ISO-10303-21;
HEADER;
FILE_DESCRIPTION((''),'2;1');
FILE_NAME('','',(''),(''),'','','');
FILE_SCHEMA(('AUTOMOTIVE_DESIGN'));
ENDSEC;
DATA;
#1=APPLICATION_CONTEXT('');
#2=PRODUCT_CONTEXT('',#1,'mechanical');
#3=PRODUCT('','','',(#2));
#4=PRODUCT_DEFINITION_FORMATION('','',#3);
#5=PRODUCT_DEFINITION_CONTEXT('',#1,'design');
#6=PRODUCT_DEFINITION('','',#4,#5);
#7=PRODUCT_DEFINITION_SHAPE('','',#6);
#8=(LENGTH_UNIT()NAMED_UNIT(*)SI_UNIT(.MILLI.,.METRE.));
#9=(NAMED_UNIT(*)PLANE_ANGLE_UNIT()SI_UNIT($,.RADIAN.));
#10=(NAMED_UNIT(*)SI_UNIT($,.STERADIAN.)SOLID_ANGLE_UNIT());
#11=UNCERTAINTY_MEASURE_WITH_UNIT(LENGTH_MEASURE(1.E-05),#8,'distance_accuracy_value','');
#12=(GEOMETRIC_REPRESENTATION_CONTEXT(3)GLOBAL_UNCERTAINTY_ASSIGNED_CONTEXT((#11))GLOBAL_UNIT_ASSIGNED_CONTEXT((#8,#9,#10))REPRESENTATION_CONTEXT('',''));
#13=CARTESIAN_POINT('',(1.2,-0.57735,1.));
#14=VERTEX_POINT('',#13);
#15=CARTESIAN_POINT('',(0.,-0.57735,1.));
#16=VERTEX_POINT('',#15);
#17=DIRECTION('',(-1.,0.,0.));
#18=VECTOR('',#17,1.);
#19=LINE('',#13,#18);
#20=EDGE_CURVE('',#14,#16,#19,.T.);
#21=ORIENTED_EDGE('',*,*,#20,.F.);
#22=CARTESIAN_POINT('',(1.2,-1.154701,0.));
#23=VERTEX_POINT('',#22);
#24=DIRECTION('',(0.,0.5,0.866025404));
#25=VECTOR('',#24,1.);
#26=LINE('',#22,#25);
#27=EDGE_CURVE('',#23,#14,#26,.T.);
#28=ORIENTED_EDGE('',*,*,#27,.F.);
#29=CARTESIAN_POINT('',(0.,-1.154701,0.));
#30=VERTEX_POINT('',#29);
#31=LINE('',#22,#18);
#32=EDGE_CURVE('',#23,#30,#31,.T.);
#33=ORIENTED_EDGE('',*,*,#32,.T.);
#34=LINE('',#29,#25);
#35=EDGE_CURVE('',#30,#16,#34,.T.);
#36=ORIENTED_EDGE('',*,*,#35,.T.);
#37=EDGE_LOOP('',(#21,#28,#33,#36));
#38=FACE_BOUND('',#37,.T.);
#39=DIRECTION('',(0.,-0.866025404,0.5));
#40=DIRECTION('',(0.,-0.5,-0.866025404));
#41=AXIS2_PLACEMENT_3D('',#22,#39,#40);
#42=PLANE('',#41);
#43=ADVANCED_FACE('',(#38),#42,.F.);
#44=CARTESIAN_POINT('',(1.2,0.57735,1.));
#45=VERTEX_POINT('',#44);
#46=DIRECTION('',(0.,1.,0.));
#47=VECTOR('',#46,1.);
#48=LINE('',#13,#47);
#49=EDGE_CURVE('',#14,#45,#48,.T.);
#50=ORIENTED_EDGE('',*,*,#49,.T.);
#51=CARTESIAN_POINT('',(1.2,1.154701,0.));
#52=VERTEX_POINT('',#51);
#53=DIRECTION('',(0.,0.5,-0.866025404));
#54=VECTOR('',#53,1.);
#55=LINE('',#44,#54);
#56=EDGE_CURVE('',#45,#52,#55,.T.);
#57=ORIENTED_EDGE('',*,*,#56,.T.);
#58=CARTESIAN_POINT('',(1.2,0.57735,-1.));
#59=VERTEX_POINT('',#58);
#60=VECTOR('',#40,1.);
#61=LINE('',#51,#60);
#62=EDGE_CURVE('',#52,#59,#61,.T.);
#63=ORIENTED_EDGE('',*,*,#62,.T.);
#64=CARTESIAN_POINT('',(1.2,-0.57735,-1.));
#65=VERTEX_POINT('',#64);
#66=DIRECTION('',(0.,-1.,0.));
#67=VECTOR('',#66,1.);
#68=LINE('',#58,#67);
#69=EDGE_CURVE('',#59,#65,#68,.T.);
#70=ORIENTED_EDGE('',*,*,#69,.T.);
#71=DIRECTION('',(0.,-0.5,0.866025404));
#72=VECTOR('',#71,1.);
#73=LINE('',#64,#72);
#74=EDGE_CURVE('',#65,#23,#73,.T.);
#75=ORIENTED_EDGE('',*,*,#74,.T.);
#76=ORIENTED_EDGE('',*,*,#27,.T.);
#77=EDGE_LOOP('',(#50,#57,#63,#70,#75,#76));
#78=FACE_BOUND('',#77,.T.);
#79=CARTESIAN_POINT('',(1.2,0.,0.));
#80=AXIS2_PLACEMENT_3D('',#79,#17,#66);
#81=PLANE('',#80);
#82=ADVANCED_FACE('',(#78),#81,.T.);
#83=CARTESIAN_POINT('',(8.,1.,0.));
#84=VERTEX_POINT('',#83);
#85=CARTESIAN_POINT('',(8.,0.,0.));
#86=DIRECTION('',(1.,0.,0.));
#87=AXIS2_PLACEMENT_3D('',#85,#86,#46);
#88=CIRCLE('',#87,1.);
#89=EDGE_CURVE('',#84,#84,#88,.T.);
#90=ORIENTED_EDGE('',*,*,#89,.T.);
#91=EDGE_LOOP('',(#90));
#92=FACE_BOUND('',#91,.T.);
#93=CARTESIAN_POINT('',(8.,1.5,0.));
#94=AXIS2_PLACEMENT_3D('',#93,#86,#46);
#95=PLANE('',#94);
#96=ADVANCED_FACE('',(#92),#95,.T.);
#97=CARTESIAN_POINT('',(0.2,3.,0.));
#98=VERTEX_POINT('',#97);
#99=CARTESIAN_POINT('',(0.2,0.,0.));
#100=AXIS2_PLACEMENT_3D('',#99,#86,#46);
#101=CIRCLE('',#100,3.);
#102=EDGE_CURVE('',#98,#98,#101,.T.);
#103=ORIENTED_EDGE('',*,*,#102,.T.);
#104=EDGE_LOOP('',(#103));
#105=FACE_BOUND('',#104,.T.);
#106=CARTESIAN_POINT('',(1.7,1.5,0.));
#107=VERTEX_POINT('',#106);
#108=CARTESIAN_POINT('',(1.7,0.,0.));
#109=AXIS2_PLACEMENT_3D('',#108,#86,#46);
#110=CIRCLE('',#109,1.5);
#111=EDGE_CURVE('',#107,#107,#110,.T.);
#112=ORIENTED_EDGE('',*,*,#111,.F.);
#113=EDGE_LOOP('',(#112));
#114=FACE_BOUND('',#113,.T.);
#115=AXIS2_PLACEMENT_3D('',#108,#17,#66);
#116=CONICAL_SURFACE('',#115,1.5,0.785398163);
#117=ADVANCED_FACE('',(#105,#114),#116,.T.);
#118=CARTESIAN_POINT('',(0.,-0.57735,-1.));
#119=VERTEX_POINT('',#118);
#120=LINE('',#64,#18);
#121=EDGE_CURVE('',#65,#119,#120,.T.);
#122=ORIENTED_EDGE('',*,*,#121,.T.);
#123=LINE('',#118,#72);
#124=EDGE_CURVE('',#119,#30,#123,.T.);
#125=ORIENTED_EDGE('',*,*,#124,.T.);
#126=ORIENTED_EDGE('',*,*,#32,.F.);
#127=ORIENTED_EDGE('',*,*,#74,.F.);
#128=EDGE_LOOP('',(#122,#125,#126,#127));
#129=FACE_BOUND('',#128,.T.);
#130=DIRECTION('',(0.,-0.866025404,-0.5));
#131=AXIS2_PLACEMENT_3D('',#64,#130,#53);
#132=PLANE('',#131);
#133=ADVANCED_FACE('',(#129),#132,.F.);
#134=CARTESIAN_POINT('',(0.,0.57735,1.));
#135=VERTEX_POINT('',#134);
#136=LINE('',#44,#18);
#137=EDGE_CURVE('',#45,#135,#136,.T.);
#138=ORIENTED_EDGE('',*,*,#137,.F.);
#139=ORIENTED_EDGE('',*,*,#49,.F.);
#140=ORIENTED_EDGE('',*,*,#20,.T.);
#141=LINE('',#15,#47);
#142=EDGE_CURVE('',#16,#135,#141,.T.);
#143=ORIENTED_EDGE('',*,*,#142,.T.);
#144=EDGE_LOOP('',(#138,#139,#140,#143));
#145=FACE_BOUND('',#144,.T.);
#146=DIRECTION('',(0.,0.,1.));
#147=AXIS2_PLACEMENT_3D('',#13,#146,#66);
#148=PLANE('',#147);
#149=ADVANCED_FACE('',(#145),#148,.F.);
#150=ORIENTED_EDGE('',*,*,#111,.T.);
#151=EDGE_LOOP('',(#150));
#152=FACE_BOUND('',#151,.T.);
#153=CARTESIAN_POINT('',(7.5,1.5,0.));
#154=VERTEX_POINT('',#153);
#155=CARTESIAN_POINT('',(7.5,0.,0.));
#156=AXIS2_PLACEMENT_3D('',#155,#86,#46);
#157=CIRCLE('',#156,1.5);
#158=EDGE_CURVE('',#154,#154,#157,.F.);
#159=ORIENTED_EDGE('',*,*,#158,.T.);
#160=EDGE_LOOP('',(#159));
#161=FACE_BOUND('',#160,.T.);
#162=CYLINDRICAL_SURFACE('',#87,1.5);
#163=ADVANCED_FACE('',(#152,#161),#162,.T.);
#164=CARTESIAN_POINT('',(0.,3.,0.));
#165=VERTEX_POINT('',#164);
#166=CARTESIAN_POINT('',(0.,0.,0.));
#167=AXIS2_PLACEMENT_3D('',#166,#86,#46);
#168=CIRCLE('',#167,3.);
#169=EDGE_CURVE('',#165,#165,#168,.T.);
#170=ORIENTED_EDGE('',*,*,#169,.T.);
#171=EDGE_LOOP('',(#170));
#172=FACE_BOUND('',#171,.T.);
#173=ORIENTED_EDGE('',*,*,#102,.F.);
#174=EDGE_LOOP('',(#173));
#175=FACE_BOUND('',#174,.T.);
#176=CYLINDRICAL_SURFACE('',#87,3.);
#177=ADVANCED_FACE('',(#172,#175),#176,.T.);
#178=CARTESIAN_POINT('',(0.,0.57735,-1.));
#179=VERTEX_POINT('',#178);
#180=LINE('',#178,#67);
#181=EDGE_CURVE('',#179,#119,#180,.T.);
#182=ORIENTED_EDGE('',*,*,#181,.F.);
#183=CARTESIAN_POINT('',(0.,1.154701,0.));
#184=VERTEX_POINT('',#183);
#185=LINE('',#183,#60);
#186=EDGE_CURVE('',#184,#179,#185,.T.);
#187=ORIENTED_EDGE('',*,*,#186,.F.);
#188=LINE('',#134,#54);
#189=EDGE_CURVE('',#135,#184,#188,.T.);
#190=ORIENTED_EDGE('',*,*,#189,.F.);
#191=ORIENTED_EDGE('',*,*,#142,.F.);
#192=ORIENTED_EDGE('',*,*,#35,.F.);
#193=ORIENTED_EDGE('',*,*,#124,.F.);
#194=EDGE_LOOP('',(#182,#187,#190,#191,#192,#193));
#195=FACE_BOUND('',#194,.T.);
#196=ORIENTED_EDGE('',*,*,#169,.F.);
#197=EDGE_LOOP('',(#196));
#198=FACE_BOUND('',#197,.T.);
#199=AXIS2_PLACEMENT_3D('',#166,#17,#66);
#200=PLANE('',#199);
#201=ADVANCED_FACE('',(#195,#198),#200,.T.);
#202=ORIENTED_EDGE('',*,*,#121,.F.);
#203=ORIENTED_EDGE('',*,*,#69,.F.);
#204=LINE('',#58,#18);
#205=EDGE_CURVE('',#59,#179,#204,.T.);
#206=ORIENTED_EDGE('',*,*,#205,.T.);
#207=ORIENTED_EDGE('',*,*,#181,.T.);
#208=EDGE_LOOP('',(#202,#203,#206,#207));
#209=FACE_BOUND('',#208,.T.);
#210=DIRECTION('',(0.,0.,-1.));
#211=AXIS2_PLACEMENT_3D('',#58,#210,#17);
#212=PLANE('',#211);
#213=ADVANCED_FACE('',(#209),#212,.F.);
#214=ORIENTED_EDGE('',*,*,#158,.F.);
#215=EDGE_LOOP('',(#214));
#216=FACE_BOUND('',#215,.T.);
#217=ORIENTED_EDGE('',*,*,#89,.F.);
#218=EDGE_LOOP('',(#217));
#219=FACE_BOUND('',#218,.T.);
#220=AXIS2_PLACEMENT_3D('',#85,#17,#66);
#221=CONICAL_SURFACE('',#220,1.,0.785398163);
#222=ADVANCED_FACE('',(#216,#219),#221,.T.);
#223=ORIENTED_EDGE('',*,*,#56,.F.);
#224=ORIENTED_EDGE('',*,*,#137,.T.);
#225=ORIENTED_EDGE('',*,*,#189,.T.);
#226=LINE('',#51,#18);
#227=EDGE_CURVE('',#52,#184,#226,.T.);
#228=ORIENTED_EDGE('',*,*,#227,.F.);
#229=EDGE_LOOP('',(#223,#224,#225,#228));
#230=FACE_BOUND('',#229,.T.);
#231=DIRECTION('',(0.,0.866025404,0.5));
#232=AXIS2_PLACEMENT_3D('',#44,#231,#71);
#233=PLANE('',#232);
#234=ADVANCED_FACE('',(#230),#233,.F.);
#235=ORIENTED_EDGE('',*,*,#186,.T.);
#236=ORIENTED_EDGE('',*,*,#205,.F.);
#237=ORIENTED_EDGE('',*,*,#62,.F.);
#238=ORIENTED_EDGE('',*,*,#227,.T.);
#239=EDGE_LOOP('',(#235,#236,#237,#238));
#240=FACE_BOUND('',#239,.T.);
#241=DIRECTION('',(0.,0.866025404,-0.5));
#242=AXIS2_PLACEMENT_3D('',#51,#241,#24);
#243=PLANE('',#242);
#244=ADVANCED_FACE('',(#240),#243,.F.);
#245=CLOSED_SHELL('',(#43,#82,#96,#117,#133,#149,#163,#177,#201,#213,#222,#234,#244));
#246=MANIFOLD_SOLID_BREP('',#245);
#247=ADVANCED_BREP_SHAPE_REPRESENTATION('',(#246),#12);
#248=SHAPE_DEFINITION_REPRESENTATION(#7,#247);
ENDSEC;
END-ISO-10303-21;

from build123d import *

# Parameters (mm, degrees)
CHANFREIN1_SIZE         = 0.5
ENL_V_MAT_EXTRU_1_DEPTH = 1.2


with BuildPart() as part:
    # Esquisse1 → Révolution1 (revolve)
    with BuildSketch(Plane.XY):
        Polygon((0, 0), (0, 3), (0.2, 3), (1.7, 1.5), (8, 1.5), (8, 0), align=None)
    revolve(axis=Axis((8, 0, 0), (-1, 0, 0)))

    # Chanfrein1
    chanfrein1_edges = [part.edges().sort_by_distance(p)[0] for p in [
        (8, -1.5, 0),
    ]]
    chamfer(chanfrein1_edges, length=CHANFREIN1_SIZE)

    # Esquisse2 → Enlèv. mat.-Extru.1 (cut)
    with BuildSketch(Plane.ZY):
        Polygon((0, 1.154700538), (-1, 0.577350269), (-1, -0.577350269), (0, -1.154700538), (1, -0.577350269), (1, 0.577350269), align=None)
    extrude(amount=-ENL_V_MAT_EXTRU_1_DEPTH, mode=Mode.SUBTRACT)


solid = part.part
